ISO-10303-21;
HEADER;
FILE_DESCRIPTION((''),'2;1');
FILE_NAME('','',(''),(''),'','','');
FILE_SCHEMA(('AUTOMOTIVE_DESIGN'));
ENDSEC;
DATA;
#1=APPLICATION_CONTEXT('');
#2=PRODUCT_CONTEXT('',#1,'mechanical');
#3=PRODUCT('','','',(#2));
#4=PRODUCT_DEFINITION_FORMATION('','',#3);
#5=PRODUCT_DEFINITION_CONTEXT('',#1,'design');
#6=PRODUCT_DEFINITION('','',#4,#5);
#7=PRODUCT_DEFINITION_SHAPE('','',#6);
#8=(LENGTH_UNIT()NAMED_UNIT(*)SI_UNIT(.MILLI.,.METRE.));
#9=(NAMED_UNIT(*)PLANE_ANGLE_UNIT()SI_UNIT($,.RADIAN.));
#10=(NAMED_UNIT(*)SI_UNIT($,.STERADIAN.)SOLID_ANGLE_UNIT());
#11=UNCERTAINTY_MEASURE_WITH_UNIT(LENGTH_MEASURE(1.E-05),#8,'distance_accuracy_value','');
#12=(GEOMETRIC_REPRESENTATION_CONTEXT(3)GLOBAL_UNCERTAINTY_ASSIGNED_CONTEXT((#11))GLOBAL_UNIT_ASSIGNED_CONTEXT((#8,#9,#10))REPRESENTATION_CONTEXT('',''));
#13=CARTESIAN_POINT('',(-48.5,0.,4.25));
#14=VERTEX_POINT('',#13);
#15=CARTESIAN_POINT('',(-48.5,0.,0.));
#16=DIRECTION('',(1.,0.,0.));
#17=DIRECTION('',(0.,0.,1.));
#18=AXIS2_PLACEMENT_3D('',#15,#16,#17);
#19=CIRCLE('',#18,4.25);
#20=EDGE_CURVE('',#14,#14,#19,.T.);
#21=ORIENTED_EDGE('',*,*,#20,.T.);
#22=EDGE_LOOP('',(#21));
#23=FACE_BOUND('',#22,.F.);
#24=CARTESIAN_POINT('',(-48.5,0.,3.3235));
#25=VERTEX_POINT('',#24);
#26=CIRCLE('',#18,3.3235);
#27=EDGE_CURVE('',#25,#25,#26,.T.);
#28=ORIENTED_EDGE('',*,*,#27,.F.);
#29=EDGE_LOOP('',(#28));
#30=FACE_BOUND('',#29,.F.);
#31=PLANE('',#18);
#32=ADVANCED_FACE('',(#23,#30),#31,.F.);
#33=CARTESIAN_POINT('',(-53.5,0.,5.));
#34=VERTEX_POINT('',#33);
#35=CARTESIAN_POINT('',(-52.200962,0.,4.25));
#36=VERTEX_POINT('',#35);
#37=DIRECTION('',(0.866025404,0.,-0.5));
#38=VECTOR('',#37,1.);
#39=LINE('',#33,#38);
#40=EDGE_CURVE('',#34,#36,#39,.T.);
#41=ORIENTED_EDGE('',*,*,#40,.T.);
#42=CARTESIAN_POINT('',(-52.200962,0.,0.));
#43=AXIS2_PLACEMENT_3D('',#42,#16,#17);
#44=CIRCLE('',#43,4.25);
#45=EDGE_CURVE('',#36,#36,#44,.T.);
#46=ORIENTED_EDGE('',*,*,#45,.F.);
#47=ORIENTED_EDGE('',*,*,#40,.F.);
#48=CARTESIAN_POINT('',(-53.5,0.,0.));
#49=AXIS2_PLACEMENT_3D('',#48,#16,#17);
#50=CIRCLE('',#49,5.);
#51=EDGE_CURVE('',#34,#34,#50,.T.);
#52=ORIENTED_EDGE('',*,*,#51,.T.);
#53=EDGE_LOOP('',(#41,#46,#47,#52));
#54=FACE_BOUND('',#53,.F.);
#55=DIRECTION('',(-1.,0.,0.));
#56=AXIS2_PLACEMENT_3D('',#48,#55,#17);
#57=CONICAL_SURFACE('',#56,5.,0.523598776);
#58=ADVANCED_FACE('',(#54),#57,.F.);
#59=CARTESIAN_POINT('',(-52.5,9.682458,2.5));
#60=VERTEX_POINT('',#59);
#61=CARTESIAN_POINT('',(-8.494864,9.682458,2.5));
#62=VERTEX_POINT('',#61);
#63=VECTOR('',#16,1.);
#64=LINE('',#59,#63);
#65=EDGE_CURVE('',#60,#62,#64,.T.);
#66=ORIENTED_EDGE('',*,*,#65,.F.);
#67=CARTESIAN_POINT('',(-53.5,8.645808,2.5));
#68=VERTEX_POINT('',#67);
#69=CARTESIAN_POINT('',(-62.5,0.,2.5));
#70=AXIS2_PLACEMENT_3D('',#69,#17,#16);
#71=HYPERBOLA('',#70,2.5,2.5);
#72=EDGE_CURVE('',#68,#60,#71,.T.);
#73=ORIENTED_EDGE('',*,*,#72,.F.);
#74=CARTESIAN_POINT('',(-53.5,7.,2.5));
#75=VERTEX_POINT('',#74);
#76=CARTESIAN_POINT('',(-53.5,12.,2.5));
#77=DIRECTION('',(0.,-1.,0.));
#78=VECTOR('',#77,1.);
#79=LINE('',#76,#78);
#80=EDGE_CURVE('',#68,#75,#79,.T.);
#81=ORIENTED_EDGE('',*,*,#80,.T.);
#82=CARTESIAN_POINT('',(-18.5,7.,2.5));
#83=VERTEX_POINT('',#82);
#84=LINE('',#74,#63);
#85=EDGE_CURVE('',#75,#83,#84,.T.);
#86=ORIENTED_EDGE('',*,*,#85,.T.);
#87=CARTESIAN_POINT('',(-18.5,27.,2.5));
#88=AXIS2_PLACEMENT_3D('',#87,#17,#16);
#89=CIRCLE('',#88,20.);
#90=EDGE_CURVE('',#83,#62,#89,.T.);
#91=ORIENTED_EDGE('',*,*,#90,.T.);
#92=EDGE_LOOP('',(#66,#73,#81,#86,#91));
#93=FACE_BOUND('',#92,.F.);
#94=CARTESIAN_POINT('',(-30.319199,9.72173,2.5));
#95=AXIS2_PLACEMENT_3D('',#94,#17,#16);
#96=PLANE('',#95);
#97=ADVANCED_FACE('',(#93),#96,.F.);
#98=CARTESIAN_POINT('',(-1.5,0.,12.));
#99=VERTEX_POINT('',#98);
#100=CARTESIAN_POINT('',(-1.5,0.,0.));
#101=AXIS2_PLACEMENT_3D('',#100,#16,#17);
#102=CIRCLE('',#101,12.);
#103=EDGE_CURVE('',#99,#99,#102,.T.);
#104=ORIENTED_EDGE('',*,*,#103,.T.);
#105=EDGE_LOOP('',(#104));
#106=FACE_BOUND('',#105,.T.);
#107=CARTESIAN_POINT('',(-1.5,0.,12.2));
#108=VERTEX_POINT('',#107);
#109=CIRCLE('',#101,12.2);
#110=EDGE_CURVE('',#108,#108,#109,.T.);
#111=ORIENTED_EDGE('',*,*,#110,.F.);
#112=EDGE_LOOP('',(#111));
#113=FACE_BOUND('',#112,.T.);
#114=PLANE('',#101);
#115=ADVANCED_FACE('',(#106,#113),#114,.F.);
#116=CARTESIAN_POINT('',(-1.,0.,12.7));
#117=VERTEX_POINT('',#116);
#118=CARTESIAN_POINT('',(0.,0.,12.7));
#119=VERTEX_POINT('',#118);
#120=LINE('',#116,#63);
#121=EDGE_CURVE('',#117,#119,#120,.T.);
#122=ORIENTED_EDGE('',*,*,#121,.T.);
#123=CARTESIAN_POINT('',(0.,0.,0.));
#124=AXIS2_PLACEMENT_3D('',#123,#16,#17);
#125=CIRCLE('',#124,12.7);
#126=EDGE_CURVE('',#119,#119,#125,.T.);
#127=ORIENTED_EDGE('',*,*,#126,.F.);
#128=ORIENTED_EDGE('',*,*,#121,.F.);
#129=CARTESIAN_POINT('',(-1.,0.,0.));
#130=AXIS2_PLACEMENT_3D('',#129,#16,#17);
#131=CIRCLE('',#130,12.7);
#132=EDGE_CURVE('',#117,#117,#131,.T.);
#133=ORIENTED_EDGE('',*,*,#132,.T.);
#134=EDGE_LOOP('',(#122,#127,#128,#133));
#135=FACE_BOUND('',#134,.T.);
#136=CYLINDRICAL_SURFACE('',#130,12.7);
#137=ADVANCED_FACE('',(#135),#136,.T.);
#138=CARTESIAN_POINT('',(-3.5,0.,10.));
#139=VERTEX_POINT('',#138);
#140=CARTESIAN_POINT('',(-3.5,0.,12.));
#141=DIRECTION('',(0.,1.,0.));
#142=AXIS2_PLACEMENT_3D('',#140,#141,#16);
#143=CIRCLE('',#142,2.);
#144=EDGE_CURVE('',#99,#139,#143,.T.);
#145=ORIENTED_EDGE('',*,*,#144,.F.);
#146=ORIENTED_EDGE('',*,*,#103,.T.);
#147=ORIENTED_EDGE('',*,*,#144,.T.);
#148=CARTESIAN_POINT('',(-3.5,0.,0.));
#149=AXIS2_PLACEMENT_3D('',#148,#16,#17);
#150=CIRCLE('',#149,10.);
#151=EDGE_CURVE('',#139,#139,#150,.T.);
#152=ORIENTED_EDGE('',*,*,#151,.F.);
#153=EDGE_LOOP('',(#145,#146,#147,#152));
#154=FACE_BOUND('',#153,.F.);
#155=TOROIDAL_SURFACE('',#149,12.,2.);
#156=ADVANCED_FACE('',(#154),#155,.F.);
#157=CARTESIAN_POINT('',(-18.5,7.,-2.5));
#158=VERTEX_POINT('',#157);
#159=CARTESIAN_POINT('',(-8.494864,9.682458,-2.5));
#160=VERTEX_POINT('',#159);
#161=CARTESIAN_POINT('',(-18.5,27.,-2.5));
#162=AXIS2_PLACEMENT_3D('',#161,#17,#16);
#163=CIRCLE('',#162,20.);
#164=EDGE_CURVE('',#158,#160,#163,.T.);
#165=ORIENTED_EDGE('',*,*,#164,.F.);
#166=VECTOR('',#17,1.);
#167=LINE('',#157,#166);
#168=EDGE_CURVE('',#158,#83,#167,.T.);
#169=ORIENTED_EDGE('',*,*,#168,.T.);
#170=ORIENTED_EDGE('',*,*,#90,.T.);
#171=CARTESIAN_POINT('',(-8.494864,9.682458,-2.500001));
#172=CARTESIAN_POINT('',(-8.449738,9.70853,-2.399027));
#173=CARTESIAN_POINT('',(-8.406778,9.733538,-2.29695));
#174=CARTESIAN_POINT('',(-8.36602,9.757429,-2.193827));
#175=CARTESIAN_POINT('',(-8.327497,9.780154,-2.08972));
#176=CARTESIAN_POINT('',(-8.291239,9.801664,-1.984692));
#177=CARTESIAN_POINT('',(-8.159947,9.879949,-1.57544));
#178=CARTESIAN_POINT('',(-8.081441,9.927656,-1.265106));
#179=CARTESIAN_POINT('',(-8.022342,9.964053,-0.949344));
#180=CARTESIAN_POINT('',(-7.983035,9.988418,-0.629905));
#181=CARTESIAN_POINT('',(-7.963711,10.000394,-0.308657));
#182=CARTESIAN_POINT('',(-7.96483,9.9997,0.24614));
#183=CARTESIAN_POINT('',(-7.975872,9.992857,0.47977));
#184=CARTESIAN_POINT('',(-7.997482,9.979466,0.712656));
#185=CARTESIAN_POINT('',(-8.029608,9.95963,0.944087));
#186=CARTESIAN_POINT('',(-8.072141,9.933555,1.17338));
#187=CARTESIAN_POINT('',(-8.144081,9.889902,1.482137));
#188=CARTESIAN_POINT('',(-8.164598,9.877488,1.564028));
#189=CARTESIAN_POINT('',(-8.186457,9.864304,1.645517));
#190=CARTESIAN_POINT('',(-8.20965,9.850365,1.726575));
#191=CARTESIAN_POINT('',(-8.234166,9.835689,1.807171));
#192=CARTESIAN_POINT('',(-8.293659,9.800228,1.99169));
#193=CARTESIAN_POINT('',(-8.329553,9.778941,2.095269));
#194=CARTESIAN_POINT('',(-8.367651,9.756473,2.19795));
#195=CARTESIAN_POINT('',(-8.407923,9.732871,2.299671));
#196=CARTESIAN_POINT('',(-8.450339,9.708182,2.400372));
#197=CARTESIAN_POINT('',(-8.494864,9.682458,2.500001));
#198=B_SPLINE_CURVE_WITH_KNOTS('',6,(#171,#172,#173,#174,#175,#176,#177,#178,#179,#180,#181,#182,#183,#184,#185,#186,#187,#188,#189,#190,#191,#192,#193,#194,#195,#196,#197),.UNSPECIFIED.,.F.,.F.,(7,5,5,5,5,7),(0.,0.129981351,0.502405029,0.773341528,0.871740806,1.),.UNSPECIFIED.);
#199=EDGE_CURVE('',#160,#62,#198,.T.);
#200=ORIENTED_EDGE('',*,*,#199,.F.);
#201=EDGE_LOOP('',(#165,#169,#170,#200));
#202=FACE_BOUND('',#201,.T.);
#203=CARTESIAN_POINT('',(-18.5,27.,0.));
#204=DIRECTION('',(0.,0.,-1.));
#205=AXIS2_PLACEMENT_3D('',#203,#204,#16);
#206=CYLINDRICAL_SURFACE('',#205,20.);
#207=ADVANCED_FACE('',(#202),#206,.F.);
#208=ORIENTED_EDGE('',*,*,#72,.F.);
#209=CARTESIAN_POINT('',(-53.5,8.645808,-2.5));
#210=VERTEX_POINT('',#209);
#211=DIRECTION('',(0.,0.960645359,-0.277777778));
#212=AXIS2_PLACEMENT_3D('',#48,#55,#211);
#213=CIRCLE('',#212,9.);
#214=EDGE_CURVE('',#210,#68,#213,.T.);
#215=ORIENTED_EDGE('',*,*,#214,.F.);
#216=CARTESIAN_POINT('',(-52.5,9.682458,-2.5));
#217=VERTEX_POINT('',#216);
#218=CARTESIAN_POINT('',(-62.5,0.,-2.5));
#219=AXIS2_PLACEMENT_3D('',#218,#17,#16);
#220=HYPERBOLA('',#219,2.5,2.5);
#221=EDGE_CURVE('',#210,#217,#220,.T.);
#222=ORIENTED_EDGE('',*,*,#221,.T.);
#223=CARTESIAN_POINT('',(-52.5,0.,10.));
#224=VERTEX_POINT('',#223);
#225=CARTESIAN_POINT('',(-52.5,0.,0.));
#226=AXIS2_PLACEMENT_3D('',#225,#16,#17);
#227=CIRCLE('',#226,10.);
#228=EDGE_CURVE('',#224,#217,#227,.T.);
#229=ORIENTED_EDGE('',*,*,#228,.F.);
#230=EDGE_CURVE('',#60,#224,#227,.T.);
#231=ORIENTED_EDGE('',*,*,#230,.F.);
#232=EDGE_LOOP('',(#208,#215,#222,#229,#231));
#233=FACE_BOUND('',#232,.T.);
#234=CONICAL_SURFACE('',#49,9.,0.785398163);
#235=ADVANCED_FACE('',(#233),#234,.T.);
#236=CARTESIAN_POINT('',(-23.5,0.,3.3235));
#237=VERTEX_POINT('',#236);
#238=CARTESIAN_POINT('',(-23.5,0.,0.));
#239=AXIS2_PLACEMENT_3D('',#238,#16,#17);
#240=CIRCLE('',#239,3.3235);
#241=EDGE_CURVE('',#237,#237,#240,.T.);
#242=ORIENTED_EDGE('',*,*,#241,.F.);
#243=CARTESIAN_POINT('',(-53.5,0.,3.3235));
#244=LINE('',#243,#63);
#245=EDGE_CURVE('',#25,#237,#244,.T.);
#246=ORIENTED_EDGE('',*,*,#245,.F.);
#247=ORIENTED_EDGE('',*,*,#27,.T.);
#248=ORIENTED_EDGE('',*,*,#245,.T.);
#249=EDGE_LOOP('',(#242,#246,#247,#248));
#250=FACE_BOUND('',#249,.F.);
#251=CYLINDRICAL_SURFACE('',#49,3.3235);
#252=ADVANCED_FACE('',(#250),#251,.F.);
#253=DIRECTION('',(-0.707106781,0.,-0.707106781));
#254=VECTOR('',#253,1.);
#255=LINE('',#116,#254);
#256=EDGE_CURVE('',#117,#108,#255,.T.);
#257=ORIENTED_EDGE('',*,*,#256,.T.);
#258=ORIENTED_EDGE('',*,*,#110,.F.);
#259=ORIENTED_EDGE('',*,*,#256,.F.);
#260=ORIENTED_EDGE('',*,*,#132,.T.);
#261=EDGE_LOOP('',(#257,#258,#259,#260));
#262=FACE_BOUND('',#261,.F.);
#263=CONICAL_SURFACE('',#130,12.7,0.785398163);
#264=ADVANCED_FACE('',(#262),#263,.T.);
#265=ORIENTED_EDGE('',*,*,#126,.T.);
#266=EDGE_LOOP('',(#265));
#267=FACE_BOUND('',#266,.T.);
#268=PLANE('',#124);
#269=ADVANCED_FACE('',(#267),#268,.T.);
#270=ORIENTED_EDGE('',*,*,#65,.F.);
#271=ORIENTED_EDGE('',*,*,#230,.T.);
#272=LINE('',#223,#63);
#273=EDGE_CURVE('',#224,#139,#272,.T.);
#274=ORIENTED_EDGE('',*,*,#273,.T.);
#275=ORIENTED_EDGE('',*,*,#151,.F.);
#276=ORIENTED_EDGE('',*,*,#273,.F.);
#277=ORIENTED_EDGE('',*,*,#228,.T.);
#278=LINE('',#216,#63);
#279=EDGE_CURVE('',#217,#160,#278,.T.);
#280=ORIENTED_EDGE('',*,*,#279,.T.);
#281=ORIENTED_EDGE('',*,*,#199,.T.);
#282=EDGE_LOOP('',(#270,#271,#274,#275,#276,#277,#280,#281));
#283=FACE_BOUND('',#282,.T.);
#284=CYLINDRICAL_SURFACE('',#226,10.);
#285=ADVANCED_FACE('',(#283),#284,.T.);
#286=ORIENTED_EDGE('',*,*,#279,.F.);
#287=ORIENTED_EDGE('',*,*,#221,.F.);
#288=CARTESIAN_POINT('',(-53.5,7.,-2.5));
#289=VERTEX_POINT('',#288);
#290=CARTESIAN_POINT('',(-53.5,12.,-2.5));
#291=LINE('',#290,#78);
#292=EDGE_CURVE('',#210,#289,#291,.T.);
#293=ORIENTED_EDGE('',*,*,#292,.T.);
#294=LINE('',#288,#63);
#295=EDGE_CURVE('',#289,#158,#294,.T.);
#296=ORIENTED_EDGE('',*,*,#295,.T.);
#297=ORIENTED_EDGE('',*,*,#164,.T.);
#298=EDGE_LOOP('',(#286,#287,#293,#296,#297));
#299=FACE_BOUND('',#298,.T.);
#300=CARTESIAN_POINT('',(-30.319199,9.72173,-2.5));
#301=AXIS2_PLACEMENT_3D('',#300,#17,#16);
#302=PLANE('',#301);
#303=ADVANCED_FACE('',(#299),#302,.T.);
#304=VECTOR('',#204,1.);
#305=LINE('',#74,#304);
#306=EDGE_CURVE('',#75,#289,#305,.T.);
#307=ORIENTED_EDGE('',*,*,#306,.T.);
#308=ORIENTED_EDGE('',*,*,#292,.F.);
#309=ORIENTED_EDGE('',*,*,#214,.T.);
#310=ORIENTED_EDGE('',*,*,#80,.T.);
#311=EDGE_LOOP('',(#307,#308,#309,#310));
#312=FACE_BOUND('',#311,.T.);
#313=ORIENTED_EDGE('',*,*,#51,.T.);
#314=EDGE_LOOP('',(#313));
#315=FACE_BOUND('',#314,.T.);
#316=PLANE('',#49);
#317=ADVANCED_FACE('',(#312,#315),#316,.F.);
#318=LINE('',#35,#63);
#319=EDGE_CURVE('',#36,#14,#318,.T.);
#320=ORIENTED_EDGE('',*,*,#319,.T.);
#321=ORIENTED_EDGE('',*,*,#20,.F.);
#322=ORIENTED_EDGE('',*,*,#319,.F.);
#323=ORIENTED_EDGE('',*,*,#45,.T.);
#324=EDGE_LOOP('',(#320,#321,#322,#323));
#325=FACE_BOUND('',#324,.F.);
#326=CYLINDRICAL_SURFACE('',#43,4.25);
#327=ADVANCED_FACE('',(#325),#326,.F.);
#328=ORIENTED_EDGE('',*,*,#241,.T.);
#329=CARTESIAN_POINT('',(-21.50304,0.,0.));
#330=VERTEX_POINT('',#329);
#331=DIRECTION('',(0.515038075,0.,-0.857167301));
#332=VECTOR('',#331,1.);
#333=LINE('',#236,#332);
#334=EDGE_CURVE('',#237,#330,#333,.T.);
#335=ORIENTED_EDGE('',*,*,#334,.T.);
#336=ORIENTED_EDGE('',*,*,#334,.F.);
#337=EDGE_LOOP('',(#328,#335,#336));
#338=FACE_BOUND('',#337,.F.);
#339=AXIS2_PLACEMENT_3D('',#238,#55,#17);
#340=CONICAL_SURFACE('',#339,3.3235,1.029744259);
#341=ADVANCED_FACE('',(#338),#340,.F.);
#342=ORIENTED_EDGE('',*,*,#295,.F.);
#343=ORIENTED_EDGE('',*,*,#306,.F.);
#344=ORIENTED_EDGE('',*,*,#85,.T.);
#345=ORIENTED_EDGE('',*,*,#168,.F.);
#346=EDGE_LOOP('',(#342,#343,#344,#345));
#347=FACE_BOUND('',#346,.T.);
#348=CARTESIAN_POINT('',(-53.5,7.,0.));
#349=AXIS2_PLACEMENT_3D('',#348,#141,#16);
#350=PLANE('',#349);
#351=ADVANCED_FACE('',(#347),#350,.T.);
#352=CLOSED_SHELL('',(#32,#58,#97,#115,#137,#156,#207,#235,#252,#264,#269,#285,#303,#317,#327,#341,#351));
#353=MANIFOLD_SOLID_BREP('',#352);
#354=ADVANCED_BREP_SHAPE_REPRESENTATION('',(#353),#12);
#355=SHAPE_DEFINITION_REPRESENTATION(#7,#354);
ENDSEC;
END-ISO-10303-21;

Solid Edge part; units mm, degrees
sketch "Sketch1" plane through (0, 0, 0) normal (0, -1, 0) x (1, 0, 0)
  line L0 (-53.5, 0) -> (-53.5, 9)
  line L1 (-53.5, 9) -> (-52.5, 10)
  line L2 (-52.5, 10) -> (-3.5, 10)
  arc A0 (-1.5, 12) -> (-3.5, 10) centre (-3.5, 12) cw
  line L3 (-1.5, 12) -> (-1.5, 12.2)
  line L4 (-1, 12.7) -> (-1.5, 12.2)
  line L5 (-1, 12.7) -> (0, 12.7)
  line L6 (0, 12.7) -> (0, 0)
  line L7 (-53.5, 0) -> (0, 0)
  dimension "D1" = 1
  dimension "D2" = 1
  dimension "D3" = 0.5
  dimension "D4" = 0.5
  dimension "D5" = 2
  dimension "D6" = 53.5
  dimension "D7" = 50
revolve "RevolvedProtrusion1" add sketch "Sketch1" angle 360 about axis through (-60, 0, 0) along (1, 0, 0)
sketch "Sketch2" plane through (0, 0, 0) normal (0, 0, 1) x (1, 0, 0)
  line L0 (-53.5, 7) -> (-18.5, 7)
  arc A0 (-18.5, 7) -> (-5.2712, 12) centre (-18.5, 27) ccw
  line L1 (-5.2712, 12) -> (-53.5, 12)
  line L2 (-53.5, 12) -> (-53.5, 7)
  dimension "D1" = 35
  dimension "D2" = 20
  dimension "D3" = 22
  dimension "D4" = 17
extrude "Cutout1" cut sketch "Sketch2" along normal mid plane 5
hole "Thread_Hole" at (-53.5, 0, 0) direction (1, 0, 0) diameter 6.647 depth 30 tip angle 118 thread major 8 thread length 23
hole "Countersink_Hole" at (-53.5, 0, 0) direction (1, 0, 0) diameter 8.5 depth 5 countersink diameter 10 countersink angle 60
properties material "Steel"
